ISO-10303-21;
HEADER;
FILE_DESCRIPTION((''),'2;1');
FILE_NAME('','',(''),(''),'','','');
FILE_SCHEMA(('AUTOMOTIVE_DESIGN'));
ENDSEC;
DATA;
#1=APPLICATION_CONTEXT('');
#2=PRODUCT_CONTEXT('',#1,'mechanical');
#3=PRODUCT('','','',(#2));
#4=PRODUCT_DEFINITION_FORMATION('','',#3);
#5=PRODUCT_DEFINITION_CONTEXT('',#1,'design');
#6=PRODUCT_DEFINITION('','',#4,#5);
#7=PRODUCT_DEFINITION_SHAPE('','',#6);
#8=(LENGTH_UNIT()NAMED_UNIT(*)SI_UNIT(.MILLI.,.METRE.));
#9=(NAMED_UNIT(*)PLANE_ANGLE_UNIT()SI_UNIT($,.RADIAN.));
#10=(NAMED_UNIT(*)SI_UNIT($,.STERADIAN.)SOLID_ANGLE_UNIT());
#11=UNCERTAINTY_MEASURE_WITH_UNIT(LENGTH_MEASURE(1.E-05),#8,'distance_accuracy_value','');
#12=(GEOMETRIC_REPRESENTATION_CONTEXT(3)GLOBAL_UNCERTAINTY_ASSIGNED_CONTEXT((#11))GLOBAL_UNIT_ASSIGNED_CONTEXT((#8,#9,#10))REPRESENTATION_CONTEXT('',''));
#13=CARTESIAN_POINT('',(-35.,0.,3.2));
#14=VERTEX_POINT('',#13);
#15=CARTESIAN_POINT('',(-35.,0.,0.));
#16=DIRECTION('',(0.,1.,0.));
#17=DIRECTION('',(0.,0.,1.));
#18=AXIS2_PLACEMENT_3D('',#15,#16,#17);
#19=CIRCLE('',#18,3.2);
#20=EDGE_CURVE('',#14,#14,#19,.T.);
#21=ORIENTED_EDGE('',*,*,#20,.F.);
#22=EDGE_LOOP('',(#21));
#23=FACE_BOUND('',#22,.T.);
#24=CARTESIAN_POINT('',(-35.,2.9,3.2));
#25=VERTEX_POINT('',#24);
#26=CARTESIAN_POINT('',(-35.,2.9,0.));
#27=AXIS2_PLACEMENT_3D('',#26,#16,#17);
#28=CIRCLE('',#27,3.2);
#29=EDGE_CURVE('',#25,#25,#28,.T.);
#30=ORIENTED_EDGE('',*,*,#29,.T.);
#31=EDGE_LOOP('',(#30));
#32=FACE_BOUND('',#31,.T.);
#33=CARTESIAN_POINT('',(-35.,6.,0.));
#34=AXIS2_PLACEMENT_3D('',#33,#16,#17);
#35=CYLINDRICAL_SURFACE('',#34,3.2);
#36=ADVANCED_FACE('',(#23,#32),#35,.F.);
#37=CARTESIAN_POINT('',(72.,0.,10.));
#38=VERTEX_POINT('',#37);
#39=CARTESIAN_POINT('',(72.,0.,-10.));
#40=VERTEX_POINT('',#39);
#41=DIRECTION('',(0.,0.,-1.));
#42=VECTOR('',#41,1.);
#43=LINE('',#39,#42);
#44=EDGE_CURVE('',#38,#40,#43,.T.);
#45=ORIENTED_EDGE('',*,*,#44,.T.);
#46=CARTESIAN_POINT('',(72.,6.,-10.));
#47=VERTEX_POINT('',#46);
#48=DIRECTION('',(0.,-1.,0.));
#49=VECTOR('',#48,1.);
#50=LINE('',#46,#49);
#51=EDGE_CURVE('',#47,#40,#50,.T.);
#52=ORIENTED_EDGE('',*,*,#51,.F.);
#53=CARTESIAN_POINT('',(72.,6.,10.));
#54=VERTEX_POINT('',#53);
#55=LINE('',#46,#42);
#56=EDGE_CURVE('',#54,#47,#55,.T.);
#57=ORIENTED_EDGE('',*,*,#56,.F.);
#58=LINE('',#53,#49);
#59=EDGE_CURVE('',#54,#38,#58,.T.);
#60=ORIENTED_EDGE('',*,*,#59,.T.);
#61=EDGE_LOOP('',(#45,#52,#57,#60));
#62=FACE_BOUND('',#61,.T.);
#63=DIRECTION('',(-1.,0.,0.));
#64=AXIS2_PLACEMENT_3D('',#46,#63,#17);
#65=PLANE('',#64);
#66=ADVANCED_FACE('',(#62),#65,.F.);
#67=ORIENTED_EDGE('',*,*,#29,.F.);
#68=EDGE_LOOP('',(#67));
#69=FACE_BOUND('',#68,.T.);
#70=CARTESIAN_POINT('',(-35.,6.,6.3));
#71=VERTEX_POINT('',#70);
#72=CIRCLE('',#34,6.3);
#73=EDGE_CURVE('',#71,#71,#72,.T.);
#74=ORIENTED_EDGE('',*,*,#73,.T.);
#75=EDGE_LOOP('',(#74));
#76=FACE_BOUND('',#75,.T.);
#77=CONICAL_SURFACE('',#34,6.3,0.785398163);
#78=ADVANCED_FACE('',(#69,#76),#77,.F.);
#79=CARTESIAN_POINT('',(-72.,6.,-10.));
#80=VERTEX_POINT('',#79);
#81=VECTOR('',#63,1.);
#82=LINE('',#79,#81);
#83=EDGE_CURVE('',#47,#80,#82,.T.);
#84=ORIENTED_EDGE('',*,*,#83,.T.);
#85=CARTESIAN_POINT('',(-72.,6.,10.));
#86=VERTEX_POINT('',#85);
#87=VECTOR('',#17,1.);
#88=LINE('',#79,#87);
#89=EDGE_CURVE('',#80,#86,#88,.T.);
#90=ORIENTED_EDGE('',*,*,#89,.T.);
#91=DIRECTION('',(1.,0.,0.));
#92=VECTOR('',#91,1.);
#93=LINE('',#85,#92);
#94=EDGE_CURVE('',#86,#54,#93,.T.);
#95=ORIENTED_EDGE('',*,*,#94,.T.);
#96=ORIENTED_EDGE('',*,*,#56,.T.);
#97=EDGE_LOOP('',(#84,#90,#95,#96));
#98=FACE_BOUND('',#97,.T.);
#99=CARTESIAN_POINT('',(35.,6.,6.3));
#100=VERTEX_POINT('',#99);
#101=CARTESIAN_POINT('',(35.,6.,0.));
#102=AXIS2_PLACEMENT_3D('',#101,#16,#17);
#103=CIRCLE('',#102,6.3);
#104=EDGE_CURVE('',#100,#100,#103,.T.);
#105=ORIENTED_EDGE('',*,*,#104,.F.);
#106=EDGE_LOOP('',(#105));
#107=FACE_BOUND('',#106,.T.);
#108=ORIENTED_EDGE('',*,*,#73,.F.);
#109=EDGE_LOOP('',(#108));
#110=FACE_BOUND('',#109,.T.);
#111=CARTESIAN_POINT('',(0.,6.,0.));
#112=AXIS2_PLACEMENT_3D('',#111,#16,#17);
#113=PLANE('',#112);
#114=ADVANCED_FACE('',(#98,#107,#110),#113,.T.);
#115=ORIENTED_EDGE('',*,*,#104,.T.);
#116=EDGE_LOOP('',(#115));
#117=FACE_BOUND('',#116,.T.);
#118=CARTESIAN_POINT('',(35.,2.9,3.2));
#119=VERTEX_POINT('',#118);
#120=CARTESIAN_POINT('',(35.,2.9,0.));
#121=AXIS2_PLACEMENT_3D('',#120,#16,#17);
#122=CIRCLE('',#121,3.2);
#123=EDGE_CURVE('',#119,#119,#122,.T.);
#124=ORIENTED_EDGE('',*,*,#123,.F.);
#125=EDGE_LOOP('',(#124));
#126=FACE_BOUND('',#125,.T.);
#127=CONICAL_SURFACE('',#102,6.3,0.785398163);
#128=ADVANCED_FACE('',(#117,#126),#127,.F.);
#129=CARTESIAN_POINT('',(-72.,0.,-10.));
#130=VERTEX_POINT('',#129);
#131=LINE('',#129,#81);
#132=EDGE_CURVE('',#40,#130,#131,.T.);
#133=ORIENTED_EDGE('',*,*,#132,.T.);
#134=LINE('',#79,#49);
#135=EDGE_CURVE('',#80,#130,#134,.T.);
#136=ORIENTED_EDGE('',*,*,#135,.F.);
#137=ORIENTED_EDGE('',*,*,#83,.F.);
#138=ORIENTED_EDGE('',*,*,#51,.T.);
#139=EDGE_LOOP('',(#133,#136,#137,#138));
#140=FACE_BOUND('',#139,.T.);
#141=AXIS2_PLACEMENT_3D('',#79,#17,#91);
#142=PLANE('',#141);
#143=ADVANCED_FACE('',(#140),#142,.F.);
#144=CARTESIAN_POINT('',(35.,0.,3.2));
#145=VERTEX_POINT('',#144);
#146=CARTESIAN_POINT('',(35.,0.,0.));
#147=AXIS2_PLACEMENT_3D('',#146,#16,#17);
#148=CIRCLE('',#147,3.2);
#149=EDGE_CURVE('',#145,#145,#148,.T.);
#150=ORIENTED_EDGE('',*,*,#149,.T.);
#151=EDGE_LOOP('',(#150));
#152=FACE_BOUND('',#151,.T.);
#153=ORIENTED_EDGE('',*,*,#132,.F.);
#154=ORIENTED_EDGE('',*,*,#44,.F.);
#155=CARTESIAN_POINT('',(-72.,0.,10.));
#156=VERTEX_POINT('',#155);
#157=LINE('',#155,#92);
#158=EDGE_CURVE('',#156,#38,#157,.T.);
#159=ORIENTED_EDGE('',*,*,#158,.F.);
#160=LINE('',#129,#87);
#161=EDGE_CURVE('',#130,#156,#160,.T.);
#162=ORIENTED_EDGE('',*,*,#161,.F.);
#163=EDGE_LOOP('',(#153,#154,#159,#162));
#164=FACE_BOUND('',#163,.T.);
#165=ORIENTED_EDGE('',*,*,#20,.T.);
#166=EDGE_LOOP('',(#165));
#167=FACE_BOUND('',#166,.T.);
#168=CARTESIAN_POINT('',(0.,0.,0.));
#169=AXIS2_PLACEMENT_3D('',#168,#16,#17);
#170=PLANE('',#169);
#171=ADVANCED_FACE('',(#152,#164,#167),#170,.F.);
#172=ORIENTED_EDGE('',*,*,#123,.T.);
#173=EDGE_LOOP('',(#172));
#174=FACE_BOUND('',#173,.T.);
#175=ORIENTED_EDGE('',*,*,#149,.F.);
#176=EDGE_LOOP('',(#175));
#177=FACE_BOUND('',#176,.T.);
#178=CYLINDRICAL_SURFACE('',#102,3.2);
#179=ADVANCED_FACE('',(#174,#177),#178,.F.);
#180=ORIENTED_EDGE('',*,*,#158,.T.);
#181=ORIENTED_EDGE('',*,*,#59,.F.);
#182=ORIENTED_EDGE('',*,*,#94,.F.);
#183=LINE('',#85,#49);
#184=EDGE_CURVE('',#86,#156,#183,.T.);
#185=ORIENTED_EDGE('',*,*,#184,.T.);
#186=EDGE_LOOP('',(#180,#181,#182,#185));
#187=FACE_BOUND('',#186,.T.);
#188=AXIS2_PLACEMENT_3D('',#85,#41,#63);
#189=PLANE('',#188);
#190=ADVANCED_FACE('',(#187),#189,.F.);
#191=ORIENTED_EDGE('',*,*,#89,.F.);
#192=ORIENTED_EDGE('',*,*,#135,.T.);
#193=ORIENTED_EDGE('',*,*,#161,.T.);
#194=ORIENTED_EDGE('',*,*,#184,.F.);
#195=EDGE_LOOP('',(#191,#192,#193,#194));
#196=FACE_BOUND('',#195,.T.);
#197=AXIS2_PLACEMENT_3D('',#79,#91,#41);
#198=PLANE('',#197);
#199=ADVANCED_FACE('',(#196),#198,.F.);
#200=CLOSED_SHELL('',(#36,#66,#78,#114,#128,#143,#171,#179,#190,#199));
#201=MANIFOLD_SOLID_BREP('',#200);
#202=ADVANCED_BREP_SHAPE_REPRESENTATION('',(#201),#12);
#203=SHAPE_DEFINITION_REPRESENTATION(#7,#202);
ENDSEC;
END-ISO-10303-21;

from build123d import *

# Parameters (mm, degrees)
SKETCH1_W           = 144
SKETCH1_H           = 20
BOSS_EXTRUDE1_DEPTH = 6
HOLE1_AT_2_COUNT    = 2
HOLE1_AT_2_PITCH    = 70


with BuildPart() as part:
    # Sketch1 → Boss-Extrude1 (new body)
    with BuildSketch(Plane(origin=(0, 0, 0), x_dir=(1, 0, 0), z_dir=(0, 1, 0))):
        Rectangle(SKETCH1_W, SKETCH1_H)
    extrude(amount=BOSS_EXTRUDE1_DEPTH)

    # Sketch3 → Hole1 (revolve, cut)
    with BuildSketch(Plane(origin=(-35, 6, 0), x_dir=(0, 0, 1), z_dir=(1, 0, 0))):
        Polygon((0, 0), (0, 6), (3.2, 6), (3.2, 3.1), (6.3, 0), align=None)
    hole1 = revolve(axis=Axis((-35, 20.308894879, 0), (0, -1, 0)), mode=Mode.SUBTRACT)

    # Hole1 at 2: Hole1 ×2
    with Locations(*[(i * HOLE1_AT_2_PITCH, 0, 0) for i in range(1, HOLE1_AT_2_COUNT)]):
        add(hole1, mode=Mode.SUBTRACT)


solid = part.part
